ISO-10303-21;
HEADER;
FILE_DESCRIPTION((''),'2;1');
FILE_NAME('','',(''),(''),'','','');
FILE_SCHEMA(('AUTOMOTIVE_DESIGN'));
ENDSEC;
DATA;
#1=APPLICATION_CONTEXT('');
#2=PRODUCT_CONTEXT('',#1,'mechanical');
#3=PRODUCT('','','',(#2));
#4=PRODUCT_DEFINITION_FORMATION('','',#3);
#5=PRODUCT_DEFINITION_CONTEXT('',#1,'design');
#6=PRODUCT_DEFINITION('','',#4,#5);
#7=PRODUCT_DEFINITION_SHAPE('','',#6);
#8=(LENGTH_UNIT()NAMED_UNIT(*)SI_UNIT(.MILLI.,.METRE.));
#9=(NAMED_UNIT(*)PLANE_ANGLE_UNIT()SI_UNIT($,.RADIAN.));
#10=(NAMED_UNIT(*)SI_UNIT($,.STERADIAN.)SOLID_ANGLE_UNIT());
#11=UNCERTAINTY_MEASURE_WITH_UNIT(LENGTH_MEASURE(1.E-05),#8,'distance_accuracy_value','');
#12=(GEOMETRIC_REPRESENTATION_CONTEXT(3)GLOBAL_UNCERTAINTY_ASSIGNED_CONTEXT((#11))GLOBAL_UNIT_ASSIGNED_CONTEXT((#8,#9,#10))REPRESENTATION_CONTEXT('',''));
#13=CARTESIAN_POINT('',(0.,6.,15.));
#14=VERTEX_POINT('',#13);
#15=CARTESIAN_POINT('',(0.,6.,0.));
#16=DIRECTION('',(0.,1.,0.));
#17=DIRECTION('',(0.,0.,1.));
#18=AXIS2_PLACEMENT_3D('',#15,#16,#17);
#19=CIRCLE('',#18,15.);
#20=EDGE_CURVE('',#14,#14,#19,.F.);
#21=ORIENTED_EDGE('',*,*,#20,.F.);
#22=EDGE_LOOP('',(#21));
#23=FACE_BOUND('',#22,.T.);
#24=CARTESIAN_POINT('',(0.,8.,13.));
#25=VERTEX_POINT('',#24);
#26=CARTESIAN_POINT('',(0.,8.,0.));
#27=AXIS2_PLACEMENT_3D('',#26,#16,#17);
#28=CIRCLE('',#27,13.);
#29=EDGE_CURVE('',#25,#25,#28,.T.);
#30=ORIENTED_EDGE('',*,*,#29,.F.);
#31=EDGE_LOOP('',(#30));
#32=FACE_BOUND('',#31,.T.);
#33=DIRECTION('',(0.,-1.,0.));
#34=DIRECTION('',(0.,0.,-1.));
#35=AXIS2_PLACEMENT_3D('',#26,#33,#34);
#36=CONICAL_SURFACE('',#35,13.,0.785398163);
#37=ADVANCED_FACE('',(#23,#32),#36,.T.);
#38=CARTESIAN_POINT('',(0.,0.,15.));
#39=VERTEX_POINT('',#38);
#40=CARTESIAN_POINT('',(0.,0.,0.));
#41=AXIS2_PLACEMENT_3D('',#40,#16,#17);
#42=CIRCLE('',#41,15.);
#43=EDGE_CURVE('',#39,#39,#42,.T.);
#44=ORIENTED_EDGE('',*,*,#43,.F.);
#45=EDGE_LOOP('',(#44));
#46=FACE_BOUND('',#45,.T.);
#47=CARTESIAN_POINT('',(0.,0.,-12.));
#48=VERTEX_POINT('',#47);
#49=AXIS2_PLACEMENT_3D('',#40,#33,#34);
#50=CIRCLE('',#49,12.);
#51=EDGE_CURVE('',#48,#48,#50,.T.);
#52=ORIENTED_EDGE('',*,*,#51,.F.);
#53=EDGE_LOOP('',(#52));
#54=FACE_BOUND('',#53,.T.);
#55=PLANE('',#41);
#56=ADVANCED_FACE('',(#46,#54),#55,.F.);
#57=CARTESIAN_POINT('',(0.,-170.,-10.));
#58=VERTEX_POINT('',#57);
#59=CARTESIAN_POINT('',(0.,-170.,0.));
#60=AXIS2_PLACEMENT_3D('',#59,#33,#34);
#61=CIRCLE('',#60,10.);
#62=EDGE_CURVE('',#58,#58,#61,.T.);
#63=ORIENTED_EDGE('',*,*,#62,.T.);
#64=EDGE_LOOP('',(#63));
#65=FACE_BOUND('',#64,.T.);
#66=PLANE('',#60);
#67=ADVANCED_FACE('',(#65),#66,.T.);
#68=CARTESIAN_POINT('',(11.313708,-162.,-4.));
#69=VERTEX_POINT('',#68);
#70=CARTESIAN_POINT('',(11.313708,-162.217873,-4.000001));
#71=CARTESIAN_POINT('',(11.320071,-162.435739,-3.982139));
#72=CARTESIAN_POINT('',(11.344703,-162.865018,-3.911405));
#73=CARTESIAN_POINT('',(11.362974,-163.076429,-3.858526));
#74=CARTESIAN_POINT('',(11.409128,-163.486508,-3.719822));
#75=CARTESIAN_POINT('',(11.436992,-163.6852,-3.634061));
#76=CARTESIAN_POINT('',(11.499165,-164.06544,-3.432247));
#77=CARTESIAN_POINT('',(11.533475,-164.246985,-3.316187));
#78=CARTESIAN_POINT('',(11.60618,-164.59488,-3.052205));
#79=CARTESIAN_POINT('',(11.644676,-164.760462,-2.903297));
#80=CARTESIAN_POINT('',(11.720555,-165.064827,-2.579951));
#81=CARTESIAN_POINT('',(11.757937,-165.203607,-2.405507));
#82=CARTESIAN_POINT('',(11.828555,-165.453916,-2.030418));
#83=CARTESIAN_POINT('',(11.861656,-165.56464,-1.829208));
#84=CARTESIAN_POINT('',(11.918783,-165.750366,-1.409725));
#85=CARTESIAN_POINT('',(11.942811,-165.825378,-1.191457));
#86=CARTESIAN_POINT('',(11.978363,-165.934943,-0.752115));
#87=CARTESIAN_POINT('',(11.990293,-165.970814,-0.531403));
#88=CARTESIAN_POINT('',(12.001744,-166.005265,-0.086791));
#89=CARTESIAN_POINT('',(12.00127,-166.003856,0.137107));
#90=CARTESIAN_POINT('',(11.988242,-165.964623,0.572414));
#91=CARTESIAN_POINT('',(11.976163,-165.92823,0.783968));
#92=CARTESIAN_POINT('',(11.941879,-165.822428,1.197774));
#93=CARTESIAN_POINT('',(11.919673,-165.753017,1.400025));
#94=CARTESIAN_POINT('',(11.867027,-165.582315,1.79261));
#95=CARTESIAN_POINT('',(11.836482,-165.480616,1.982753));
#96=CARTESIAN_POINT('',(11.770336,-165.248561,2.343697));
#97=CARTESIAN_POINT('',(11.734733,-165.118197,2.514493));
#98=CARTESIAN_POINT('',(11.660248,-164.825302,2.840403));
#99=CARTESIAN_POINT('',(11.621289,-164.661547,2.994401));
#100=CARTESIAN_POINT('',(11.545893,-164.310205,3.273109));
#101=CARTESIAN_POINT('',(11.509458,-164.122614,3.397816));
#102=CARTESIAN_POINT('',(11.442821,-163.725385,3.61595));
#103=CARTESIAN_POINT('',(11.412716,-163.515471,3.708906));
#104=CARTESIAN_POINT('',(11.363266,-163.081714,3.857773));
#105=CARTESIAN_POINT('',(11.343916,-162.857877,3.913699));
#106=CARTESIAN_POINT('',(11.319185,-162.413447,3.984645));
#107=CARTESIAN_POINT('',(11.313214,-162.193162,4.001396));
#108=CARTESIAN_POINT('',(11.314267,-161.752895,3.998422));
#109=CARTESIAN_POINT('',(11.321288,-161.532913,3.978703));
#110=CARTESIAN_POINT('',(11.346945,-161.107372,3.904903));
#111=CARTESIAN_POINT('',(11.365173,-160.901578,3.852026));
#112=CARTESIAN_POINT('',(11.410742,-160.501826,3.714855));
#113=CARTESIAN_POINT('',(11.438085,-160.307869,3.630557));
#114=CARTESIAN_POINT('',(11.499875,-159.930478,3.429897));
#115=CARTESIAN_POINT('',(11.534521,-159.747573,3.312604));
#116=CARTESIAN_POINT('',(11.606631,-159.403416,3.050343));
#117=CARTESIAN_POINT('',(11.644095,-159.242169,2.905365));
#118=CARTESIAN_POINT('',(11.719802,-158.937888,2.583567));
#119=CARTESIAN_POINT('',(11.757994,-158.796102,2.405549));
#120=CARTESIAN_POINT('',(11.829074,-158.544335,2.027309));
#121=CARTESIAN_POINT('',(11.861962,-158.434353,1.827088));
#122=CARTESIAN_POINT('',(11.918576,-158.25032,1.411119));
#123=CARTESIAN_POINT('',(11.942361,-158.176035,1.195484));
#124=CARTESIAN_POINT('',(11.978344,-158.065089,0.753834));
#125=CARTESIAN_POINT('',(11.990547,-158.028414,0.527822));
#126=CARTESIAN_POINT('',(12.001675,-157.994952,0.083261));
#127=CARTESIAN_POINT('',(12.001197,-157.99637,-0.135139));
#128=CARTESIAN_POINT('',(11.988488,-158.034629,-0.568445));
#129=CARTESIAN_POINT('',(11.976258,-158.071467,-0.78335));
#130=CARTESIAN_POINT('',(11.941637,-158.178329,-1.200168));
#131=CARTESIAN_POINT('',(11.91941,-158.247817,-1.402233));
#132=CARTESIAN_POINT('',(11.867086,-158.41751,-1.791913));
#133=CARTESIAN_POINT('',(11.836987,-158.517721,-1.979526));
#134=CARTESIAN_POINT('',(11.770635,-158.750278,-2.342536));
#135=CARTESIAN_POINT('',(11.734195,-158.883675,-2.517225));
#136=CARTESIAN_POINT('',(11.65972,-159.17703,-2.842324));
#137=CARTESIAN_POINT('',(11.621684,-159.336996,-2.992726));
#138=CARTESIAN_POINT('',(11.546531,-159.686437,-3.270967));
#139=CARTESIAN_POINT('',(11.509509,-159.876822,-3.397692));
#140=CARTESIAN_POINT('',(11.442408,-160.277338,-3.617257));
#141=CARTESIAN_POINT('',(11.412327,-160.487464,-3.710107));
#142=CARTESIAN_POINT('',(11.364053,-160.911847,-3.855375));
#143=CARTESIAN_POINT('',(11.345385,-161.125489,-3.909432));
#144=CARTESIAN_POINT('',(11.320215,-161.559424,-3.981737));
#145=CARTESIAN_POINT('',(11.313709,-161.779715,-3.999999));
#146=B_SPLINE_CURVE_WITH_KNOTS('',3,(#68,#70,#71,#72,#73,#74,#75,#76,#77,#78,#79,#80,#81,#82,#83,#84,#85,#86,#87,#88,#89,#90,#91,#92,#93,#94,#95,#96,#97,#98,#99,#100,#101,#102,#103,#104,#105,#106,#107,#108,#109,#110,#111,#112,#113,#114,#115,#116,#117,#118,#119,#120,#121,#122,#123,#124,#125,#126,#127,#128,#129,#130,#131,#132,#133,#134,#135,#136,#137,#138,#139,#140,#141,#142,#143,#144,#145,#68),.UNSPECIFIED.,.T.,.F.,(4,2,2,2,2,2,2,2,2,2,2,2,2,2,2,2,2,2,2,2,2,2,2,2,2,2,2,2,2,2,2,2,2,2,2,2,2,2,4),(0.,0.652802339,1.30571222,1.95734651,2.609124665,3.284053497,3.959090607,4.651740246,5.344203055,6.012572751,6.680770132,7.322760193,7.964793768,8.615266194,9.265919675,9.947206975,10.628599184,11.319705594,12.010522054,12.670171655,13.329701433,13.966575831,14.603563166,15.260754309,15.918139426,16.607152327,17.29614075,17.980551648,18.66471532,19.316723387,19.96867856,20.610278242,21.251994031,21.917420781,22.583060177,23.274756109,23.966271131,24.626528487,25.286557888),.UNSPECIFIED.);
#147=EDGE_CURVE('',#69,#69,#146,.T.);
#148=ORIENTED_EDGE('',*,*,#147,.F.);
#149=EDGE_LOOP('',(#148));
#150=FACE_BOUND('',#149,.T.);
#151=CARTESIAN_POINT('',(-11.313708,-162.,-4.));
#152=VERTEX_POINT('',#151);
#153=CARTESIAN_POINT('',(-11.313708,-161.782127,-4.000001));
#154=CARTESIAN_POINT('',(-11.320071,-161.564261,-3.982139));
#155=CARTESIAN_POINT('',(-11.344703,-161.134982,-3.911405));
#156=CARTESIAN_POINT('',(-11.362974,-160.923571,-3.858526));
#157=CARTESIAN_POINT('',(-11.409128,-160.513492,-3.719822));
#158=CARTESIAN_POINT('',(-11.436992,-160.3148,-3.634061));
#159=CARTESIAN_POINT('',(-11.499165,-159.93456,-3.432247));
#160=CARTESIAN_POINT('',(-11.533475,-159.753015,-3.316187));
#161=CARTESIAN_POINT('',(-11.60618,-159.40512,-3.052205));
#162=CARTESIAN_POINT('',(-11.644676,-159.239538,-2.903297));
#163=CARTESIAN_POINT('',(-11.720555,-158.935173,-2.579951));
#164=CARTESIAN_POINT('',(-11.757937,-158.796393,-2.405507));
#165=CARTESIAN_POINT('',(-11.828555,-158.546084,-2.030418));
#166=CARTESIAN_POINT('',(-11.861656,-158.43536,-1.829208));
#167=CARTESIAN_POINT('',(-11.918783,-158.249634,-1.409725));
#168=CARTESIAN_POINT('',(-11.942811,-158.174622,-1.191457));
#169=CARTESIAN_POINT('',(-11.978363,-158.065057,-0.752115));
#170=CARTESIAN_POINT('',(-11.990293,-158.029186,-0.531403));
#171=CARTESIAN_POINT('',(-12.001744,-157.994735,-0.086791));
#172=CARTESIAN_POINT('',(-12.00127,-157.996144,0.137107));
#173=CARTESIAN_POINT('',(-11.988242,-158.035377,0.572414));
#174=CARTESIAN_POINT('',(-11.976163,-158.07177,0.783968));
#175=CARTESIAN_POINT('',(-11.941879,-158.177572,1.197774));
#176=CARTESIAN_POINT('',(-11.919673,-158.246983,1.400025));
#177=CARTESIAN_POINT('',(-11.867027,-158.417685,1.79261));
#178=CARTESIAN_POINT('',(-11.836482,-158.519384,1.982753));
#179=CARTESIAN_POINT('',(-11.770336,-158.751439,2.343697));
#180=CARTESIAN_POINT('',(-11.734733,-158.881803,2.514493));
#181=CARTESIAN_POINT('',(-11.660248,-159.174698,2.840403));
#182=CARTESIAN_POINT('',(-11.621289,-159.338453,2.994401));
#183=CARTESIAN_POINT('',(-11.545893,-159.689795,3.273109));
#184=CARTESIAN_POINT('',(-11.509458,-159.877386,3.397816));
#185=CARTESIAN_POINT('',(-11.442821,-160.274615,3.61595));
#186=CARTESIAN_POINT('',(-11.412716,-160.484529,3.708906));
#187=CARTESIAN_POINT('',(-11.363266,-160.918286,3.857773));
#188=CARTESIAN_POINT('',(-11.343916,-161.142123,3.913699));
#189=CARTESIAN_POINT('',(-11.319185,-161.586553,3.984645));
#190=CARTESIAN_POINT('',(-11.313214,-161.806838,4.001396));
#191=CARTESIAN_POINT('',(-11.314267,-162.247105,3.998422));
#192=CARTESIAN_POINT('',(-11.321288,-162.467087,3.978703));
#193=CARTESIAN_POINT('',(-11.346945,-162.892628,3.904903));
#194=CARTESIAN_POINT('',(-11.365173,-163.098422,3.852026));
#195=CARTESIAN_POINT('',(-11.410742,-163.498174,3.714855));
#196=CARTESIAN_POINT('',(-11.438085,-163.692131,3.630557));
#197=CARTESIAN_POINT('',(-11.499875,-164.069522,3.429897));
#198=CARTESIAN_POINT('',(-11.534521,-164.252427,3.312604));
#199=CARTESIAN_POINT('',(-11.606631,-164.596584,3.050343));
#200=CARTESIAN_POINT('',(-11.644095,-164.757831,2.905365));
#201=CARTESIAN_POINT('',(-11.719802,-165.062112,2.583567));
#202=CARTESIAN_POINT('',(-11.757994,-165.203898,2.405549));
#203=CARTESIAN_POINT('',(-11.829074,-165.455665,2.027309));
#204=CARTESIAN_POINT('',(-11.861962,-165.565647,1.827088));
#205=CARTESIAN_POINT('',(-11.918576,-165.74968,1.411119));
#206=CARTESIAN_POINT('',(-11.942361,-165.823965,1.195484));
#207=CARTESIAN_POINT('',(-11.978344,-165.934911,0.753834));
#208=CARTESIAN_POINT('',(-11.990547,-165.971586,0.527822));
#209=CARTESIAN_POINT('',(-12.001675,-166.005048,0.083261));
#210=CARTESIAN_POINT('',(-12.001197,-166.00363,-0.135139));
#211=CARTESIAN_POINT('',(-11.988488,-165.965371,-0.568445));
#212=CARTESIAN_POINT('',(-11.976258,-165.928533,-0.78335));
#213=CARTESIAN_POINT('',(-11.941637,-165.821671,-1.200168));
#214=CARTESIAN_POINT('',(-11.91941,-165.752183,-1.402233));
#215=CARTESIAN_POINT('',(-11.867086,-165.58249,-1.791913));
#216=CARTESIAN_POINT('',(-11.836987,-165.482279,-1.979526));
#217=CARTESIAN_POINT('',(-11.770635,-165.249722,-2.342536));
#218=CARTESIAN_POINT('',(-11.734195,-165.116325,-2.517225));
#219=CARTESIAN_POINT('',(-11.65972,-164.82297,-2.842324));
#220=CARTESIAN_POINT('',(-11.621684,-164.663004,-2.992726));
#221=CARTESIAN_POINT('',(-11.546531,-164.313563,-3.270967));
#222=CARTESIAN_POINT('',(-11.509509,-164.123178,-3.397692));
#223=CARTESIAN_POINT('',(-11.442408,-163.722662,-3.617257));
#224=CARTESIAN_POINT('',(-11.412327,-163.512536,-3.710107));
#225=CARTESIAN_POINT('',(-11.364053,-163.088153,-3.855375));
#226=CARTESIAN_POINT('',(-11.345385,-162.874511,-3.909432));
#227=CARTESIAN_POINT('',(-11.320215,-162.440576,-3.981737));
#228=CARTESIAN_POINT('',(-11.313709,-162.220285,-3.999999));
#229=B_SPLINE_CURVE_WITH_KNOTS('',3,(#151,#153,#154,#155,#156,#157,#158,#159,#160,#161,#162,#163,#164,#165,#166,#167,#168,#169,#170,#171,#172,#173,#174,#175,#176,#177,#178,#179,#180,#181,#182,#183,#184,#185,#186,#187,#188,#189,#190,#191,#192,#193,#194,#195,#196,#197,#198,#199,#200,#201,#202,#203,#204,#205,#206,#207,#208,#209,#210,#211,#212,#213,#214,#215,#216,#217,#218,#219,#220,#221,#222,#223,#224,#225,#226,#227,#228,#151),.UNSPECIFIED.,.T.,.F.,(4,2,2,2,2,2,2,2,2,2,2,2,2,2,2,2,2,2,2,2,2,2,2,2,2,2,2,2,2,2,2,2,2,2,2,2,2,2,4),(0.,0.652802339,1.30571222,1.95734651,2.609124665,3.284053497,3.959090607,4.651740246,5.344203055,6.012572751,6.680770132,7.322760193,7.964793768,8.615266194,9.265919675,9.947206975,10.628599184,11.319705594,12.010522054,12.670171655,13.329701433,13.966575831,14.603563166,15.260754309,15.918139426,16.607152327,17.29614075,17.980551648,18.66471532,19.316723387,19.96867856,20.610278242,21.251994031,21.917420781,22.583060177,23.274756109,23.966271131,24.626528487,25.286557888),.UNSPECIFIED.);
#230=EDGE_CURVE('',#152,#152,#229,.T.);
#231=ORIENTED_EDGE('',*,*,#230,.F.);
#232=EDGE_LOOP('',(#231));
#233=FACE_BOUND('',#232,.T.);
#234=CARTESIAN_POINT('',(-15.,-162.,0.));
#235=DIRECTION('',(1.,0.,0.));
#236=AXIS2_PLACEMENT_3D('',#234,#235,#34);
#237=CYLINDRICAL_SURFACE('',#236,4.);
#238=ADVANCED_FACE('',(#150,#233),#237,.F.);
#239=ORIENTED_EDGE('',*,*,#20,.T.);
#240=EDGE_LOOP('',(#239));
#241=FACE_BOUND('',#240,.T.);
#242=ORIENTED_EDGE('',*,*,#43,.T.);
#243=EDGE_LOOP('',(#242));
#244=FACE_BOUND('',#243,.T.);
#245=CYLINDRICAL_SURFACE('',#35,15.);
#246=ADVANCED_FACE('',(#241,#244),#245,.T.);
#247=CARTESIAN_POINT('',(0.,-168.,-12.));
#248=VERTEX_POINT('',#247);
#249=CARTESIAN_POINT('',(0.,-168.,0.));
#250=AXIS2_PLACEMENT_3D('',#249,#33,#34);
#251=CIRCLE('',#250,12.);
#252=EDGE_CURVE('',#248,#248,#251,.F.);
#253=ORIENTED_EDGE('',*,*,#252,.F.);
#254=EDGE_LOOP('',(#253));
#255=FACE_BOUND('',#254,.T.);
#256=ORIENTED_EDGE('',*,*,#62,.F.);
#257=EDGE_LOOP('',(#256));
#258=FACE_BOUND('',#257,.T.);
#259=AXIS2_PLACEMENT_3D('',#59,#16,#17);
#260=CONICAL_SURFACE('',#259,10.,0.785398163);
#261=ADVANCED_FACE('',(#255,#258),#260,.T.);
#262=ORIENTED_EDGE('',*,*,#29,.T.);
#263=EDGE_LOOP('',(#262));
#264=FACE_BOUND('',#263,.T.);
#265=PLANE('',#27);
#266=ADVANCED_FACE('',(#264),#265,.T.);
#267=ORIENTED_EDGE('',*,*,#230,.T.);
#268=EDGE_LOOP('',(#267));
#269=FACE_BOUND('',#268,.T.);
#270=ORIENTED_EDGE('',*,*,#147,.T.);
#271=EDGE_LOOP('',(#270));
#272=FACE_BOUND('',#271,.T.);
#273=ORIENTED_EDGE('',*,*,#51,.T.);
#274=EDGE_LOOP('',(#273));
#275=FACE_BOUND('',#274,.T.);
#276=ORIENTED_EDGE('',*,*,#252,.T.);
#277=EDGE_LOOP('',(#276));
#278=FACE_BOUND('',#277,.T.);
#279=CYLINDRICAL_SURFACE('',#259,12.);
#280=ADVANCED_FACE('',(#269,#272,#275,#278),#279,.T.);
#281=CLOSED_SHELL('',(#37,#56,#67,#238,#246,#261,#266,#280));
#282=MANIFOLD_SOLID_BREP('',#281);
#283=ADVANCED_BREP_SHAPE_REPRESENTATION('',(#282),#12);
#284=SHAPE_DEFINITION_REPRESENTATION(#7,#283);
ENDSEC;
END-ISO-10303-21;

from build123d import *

# Parameters (mm, degrees)
SKETCH1_R           = 15
EXTRUDE1_DEPTH      = 8
SKETCH2_R           = 12
EXTRUDE2_DEPTH      = 170
EXTRUDE3_DEPTH      = 172.31841699
EXTRUDE3_DEPTH_BACK = 172.31841699
SKETCH3_R           = 4
CHAMFER1_SIZE       = 2


with BuildPart() as part:
    # Sketch1 → Extrude1 (new body)
    with BuildSketch(Plane(origin=(0, 0, 0), x_dir=(1, 0, 0), z_dir=(0, 1, 0))):
        with Locations(Location((0, 0, 0), (0, 0, 270))):
            Circle(SKETCH1_R)
    extrude(amount=EXTRUDE1_DEPTH)

    # Sketch2 → Extrude2 (add)
    with BuildSketch(Plane.XZ):
        with Locations(Location((0, 0, 0), (0, 0, 270))):
            Circle(SKETCH2_R)
    extrude(amount=EXTRUDE2_DEPTH)

    # Sketch3 → Extrude3 (cut, two sides: drawn at the far end of the back side and taken through both)
    with BuildSketch(Plane(origin=(0, 0, 0), x_dir=(0, 0, -1), z_dir=(1, 0, 0)).offset(-EXTRUDE3_DEPTH_BACK)):
        with Locations((0, -162)):
            Circle(SKETCH3_R)
    extrude(amount=EXTRUDE3_DEPTH + EXTRUDE3_DEPTH_BACK, mode=Mode.SUBTRACT)

    # Chamfer1
    chamfer1_edges = [part.edges().sort_by_distance(p)[0] for p in [
        (0, 8, -15),
        (0, -170, 12),
    ]]
    chamfer(chamfer1_edges, length=CHAMFER1_SIZE)


solid = part.part
